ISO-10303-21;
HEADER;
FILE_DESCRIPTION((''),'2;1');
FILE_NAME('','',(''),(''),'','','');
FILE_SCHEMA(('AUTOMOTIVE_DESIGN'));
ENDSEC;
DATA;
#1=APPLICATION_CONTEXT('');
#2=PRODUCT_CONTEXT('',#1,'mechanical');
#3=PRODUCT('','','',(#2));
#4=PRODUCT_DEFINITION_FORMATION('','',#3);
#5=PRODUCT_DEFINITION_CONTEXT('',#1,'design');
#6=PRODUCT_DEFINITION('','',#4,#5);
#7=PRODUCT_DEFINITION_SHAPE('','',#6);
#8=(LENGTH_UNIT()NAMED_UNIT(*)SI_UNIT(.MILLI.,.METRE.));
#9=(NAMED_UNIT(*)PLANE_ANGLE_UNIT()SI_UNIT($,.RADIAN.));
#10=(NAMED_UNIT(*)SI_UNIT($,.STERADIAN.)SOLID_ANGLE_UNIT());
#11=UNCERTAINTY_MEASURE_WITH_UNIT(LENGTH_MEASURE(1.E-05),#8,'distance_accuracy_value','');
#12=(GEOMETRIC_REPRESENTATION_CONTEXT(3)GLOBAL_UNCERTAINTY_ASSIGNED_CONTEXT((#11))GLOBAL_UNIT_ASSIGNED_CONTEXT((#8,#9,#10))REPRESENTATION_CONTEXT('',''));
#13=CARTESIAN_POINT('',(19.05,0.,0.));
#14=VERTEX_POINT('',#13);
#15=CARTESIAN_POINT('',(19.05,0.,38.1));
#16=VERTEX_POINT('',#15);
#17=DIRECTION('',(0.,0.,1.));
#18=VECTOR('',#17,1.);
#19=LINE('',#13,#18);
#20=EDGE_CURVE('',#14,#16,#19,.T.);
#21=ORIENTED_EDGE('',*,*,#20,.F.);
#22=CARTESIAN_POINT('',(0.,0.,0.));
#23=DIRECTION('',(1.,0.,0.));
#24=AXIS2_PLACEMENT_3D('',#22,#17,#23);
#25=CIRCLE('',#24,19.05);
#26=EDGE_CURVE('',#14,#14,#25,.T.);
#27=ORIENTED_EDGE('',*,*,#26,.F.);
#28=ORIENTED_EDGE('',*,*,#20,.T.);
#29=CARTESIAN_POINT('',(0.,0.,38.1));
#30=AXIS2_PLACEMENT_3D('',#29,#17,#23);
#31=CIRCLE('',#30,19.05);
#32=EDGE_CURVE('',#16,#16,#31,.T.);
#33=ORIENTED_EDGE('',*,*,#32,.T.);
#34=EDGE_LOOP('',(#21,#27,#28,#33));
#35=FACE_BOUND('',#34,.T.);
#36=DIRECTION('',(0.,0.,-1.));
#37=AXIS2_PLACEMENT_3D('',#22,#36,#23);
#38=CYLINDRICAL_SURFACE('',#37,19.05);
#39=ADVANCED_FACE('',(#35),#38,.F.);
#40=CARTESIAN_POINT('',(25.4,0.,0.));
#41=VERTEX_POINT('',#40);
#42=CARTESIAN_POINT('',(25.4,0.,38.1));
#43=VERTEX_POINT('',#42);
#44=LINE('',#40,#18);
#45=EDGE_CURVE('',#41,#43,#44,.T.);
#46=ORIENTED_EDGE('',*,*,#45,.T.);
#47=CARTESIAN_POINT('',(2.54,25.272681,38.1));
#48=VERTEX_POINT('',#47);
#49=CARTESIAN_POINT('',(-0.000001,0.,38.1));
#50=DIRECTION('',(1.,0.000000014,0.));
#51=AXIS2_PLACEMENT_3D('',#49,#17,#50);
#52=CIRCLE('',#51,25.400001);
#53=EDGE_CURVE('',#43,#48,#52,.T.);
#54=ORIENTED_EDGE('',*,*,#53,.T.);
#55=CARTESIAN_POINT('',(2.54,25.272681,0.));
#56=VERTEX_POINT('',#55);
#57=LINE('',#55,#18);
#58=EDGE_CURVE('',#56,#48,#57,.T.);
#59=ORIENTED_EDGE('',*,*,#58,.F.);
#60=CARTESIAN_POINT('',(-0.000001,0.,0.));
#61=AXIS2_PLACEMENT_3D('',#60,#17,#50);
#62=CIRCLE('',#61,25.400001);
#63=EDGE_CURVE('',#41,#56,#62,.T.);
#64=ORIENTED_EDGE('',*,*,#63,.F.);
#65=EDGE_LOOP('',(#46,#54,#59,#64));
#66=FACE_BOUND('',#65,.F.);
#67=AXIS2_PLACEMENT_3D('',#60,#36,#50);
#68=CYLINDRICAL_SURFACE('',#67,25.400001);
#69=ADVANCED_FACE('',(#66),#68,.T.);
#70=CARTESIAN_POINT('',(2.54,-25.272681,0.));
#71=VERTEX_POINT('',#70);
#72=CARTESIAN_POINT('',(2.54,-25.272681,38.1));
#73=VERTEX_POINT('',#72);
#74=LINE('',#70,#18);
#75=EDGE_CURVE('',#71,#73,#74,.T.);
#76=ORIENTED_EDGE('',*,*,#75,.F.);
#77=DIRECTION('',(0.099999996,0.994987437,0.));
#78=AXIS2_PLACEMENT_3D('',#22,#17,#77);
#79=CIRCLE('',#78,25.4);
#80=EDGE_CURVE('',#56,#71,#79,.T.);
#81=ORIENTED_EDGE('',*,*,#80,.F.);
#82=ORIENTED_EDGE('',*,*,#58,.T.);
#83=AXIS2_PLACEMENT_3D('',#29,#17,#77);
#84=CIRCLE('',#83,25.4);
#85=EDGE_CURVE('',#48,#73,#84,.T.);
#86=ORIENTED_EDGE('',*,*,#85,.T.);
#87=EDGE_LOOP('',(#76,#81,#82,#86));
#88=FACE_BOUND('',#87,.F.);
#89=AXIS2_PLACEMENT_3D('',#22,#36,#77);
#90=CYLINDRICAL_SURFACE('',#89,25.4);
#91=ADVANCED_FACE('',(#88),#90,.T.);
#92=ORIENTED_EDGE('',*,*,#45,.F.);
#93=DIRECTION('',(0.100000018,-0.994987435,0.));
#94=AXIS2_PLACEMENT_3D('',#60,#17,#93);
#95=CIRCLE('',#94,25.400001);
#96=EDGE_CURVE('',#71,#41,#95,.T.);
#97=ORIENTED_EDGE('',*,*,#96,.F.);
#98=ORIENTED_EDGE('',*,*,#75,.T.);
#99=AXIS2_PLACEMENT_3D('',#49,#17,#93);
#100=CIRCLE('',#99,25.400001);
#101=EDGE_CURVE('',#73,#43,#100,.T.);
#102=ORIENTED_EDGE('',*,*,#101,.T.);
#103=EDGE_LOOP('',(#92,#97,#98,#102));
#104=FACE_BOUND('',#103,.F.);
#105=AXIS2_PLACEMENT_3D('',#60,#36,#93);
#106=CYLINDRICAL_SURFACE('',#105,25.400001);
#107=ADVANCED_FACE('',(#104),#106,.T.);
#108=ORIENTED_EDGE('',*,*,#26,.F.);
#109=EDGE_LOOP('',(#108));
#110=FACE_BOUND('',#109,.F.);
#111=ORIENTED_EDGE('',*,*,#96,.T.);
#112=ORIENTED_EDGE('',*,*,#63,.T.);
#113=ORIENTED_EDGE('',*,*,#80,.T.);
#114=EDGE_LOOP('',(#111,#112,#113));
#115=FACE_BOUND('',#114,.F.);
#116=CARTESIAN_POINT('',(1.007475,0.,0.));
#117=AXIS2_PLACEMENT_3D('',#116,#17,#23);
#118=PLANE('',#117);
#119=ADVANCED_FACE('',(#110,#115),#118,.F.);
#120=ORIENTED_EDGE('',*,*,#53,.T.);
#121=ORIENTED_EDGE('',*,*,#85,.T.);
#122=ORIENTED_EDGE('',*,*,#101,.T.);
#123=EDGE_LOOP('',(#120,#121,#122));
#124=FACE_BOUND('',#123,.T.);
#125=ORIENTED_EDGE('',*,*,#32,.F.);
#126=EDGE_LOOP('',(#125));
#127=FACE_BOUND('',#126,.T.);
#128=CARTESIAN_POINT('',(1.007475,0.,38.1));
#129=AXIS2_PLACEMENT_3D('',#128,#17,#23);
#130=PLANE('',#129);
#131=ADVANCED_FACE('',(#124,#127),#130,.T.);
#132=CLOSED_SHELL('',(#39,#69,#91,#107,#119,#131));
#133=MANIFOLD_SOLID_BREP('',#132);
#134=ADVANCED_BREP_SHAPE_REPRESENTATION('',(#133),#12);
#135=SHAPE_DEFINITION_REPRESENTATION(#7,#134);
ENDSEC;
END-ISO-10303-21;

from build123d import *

# Parameters (mm, degrees)
F0_R     = 19.05
F1_DEPTH = 38.1


with BuildPart() as f1:
    # F0 (on Top) → F1 (new body)
    with BuildSketch(Plane.XY):
        with BuildLine():
            ThreePointArc((2.54, -25.272681), (18.837144, -17.038838), (25.4, 0))
            ThreePointArc((25.4, 0), (18.837144, 17.038838), (2.54, 25.272681))
            ThreePointArc((2.54, 25.272681), (-25.4, 0), (2.54, -25.272681))
        make_face()
        Circle(F0_R, mode=Mode.SUBTRACT)
    extrude(amount=F1_DEPTH)


solid = f1.part
